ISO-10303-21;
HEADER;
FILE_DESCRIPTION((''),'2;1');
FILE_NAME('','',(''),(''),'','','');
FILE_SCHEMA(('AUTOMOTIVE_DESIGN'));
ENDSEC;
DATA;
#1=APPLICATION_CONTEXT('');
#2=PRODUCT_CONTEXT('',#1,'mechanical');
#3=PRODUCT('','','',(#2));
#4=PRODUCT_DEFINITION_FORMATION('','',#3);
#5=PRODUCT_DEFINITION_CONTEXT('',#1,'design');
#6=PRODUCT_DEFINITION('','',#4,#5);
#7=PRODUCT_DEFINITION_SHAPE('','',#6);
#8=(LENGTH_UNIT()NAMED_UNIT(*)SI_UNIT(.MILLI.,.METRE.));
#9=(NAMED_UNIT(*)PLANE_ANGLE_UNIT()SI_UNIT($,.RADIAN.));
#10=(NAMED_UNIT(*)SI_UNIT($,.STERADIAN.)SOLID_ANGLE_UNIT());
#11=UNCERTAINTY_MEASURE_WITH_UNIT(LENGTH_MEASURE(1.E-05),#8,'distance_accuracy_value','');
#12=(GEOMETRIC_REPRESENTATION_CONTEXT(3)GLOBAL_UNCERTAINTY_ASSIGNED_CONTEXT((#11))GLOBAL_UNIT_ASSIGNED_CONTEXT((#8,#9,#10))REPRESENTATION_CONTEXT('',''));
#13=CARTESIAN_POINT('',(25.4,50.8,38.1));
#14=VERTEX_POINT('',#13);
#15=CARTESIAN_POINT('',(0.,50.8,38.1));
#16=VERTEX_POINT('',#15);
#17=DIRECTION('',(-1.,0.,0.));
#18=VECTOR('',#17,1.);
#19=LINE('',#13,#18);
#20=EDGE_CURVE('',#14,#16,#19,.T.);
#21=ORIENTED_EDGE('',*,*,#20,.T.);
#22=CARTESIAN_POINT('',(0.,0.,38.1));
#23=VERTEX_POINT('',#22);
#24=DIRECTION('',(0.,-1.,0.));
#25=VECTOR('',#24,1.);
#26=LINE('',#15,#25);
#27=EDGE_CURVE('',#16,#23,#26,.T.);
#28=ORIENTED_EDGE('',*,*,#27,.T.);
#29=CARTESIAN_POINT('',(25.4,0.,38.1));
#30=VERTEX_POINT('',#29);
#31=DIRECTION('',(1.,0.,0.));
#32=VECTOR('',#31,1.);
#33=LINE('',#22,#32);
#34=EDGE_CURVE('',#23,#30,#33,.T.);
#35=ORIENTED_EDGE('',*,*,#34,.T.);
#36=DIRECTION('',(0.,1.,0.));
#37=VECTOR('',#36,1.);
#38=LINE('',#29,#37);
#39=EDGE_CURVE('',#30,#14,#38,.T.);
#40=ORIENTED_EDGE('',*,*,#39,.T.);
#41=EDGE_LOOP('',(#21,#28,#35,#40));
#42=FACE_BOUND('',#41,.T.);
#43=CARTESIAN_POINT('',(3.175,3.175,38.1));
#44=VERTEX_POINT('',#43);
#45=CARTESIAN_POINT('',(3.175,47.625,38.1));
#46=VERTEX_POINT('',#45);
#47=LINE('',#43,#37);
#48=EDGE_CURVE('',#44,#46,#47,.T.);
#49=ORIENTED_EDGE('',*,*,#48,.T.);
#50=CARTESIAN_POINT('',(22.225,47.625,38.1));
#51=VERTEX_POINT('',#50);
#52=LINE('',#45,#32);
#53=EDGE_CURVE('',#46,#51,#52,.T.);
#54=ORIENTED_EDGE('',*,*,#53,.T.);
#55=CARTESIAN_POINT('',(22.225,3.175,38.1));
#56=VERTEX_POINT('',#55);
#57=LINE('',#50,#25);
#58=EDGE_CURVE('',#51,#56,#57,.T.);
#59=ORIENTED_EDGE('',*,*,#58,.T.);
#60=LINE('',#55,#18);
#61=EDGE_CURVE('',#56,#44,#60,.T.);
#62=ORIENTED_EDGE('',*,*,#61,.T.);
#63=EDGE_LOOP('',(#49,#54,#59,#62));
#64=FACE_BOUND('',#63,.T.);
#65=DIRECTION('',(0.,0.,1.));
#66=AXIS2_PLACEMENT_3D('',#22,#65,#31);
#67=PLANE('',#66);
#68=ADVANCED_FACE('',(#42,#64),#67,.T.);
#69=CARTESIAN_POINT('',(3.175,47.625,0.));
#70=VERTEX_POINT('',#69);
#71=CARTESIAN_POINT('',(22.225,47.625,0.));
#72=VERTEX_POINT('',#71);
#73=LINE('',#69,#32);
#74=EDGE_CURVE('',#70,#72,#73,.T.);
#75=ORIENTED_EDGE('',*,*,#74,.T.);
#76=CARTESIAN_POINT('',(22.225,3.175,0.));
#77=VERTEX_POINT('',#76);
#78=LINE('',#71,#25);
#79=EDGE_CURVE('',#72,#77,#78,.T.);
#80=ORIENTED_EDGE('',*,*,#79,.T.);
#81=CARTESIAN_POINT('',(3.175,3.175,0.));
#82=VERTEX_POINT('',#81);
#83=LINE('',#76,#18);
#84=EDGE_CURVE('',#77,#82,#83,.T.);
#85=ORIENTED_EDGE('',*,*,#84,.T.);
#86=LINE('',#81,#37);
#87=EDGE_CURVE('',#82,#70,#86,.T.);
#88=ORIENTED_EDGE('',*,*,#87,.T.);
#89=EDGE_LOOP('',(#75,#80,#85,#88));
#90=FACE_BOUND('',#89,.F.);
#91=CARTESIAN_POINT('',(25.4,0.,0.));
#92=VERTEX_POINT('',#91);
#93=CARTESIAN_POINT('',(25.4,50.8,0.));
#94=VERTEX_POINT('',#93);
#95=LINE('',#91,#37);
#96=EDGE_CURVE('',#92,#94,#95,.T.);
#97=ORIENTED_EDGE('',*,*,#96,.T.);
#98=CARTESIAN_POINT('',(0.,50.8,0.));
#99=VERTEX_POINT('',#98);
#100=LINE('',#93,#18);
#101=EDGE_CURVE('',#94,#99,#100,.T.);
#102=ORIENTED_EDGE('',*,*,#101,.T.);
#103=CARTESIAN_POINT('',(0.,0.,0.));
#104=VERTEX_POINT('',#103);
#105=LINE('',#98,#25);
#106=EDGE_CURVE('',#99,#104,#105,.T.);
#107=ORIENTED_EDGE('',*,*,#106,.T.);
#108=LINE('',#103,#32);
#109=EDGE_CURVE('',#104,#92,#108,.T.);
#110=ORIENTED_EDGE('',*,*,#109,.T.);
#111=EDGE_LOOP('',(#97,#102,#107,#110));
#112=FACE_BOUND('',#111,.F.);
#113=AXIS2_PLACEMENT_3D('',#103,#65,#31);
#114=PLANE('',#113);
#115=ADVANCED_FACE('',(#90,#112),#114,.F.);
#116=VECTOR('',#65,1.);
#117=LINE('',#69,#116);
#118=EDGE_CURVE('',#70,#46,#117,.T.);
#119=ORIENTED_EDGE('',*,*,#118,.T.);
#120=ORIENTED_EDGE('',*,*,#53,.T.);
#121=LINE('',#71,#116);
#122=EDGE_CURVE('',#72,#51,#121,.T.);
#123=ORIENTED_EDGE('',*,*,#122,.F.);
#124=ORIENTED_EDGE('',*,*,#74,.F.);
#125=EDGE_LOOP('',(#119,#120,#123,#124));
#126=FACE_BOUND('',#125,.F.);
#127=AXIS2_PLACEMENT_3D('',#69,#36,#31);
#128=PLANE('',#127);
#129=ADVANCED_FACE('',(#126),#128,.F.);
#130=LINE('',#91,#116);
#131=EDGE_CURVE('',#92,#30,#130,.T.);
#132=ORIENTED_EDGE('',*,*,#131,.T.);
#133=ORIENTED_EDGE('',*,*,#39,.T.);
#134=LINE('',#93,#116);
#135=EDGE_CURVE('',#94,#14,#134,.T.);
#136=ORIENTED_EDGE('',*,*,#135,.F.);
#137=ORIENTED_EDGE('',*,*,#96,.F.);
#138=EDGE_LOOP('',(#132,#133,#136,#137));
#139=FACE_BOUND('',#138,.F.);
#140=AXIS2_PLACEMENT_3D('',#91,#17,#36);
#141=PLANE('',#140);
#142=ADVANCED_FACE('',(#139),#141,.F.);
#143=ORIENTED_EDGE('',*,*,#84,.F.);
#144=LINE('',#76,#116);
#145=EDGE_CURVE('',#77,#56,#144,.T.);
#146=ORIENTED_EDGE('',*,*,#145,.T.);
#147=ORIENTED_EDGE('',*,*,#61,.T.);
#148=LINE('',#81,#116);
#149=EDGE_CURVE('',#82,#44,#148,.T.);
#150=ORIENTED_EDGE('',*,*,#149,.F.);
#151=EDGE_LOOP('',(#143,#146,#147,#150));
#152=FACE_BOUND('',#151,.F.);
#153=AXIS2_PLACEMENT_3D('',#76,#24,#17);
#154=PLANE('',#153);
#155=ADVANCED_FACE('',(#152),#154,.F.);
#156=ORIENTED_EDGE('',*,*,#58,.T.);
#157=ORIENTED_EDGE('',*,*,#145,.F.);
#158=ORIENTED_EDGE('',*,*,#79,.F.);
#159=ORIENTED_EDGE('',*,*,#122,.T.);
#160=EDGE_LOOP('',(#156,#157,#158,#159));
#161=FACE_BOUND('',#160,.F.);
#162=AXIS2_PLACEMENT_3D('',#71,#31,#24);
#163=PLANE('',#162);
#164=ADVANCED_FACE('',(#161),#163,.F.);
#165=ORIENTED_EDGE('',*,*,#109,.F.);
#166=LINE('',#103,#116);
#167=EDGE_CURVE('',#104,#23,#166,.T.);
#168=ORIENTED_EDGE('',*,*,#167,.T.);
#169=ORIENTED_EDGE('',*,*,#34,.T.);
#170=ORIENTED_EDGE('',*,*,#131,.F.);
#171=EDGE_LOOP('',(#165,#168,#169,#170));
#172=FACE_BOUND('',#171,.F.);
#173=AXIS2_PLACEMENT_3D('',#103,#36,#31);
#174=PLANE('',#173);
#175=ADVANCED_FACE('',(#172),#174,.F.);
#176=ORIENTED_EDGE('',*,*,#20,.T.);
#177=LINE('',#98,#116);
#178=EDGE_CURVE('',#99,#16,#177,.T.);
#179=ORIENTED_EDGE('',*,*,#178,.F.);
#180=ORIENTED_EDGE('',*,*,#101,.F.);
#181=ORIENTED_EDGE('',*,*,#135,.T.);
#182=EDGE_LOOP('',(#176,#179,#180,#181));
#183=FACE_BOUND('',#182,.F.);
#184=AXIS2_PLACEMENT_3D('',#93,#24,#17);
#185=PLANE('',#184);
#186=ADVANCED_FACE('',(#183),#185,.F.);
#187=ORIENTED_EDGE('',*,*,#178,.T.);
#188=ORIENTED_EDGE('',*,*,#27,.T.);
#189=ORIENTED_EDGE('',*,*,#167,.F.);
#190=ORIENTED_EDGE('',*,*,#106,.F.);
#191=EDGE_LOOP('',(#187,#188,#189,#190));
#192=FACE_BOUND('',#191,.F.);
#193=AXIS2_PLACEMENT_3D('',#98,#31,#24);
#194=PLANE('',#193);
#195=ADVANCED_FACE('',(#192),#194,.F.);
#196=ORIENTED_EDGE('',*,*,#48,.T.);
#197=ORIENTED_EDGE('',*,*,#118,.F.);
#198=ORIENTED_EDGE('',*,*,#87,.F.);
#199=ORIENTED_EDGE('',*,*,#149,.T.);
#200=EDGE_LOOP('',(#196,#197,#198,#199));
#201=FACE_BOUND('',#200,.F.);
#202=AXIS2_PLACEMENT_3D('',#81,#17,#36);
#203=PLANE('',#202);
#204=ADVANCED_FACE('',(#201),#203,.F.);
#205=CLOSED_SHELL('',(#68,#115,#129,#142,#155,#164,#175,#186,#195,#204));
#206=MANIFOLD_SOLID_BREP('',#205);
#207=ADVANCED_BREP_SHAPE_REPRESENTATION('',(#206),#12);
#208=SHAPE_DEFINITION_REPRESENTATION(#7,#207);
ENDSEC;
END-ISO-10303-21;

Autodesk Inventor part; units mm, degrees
ref_plane "YZ Plane" through (0, 0, 0) normal (1, 0, 0) x (0, 1, 0)
ref_plane "XZ Plane" through (0, 0, 0) normal (0, 1, 0) x (-1, 0, 0)
ref_plane "XY Plane" through (0, 0, 0) normal (0, 0, 1) x (1, 0, 0)
sketch "Sketch1" plane through (0, 0, 0) normal (0, 0, 1) x (1, 0, 0)
  line L0 (0, 0) -> (25.4, 0)
  line L1 (25.4, 0) -> (25.4, 50.8)
  line L2 (25.4, 50.8) -> (0, 50.8)
  line L3 (0, 50.8) -> (0, 0)
  line L4 (3.175, 47.625) -> (22.225, 47.625)
  line L5 (22.225, 47.625) -> (22.225, 3.175)
  line L6 (22.225, 3.175) -> (3.175, 3.175)
  line L7 (3.175, 3.175) -> (3.175, 47.625)
  dimension "d0" = 25.4
  dimension "d1" = 50.8
  dimension "d2" = 3.175
extrude "Extrusion1" add sketch "Sketch1" along normal blind 38.1
properties part number "1.5inch bar" material "Aluminum 6061"
